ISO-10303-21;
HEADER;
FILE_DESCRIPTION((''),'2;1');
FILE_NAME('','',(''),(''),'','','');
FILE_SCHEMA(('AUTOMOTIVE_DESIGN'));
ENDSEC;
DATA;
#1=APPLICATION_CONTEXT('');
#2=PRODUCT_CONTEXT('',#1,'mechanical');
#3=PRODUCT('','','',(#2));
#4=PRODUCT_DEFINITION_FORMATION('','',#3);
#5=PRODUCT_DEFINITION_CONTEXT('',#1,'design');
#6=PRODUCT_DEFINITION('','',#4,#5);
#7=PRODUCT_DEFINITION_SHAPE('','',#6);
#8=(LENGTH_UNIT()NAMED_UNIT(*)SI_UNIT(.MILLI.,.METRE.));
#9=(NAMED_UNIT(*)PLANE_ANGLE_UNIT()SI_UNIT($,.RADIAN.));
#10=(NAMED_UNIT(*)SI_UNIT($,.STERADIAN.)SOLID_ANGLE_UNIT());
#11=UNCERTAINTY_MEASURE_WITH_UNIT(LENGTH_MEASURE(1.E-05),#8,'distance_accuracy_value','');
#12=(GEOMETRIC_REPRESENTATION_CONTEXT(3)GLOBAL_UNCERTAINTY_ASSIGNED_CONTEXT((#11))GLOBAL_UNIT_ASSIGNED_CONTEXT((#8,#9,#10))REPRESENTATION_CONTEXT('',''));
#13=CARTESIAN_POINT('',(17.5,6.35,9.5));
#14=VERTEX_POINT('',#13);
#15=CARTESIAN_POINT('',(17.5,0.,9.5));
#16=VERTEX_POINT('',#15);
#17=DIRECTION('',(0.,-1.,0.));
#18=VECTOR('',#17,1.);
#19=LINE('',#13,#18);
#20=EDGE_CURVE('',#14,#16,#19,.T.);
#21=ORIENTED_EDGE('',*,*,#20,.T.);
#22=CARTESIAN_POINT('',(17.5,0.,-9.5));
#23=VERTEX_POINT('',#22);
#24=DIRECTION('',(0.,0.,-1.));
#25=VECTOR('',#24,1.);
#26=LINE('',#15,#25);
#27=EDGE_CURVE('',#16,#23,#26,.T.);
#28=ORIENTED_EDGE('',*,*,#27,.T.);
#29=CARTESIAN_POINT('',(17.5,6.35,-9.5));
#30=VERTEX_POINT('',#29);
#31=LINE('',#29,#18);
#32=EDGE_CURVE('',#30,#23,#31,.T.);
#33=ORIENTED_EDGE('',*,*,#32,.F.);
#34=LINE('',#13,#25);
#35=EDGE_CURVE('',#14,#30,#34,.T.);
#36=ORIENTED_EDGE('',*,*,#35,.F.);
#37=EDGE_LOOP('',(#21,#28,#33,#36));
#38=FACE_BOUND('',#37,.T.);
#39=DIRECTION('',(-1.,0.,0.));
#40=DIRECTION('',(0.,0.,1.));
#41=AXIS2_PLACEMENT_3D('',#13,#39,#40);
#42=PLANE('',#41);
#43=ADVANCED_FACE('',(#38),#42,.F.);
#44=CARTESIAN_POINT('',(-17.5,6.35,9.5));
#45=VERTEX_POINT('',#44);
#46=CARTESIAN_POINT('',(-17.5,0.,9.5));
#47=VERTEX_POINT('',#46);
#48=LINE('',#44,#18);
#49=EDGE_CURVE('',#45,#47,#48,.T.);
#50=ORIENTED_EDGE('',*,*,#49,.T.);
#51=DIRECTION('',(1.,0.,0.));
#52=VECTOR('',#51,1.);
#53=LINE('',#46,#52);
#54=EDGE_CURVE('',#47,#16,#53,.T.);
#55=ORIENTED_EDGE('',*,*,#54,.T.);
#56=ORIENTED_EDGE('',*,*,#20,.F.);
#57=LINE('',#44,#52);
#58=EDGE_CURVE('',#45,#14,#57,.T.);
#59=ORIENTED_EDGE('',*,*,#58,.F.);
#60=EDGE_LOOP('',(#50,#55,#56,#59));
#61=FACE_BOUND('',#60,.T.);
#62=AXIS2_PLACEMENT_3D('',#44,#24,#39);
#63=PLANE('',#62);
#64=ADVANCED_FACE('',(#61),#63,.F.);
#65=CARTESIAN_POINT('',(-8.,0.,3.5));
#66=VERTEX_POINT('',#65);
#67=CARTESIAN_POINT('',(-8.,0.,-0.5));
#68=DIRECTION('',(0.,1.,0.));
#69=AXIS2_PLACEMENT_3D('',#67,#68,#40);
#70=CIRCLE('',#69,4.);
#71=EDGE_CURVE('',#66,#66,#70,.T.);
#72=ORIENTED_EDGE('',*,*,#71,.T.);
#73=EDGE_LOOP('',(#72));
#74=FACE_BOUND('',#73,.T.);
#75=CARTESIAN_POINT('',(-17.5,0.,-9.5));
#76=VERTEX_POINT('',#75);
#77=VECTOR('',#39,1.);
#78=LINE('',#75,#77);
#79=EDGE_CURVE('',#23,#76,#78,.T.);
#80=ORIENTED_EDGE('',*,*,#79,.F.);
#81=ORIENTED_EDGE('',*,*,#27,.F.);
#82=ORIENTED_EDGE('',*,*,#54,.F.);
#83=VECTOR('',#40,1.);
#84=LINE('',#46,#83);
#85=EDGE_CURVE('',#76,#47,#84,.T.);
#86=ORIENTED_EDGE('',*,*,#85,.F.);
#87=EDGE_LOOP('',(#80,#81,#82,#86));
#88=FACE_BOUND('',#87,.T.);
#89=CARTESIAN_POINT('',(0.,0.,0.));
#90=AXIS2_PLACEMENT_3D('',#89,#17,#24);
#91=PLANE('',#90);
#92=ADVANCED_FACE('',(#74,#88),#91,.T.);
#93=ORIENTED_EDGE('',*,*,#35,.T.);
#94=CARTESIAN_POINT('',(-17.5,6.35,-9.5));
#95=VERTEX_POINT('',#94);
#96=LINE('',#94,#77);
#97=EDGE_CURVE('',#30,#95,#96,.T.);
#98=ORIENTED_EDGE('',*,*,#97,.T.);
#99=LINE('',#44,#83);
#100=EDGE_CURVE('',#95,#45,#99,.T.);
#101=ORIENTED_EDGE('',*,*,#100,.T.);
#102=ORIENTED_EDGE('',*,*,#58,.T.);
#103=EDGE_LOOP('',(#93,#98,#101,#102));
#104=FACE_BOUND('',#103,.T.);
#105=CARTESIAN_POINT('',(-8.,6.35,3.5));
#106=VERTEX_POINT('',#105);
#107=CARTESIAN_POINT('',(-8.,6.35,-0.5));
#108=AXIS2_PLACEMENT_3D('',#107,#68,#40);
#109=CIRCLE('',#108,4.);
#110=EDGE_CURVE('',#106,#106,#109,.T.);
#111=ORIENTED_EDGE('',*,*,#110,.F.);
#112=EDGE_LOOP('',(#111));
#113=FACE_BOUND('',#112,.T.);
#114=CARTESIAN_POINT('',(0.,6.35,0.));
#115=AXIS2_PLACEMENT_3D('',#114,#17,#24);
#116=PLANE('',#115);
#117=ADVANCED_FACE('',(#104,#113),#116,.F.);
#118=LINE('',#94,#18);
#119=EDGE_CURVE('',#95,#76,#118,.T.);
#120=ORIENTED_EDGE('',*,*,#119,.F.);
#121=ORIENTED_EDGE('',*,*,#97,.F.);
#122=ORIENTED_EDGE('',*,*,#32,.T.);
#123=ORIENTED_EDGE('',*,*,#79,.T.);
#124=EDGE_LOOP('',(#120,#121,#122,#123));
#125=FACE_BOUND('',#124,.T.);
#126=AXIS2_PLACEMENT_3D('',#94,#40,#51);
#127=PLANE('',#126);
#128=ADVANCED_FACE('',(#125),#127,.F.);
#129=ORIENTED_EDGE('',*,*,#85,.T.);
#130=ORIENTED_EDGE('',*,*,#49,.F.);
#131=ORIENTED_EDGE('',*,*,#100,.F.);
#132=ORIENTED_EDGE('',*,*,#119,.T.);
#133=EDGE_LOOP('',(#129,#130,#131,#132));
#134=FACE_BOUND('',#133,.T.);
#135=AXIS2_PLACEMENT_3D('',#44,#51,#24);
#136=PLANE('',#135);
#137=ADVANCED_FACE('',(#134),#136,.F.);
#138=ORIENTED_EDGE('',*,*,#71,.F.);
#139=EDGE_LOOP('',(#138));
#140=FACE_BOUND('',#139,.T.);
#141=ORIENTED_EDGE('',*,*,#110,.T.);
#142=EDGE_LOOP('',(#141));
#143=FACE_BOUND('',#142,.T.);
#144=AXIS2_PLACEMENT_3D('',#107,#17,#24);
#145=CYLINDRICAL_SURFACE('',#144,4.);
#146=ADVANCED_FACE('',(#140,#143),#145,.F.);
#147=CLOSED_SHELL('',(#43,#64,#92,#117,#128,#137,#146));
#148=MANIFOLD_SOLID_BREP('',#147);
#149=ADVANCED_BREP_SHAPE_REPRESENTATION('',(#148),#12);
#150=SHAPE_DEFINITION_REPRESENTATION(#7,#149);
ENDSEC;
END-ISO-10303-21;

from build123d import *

# Parameters (mm, degrees)
SCHIZZO1_W                   = 35
SCHIZZO1_H                   = 19
SCHIZZO1_R                   = 4
ESTRUSIONE_ESTRUSIONE1_DEPTH = 6.35


with BuildPart() as part:
    # Schizzo1 → Estrusione-Estrusione1 (new body)
    with BuildSketch(Plane(origin=(0, 0, 0), x_dir=(1, 0, 0), z_dir=(0, 1, 0))):
        Rectangle(SCHIZZO1_W, SCHIZZO1_H)
        with Locations(Location((-8, 0.5, 0), (0, 0, 270))):
            Circle(SCHIZZO1_R, mode=Mode.SUBTRACT)
    extrude(amount=ESTRUSIONE_ESTRUSIONE1_DEPTH)


solid = part.part
